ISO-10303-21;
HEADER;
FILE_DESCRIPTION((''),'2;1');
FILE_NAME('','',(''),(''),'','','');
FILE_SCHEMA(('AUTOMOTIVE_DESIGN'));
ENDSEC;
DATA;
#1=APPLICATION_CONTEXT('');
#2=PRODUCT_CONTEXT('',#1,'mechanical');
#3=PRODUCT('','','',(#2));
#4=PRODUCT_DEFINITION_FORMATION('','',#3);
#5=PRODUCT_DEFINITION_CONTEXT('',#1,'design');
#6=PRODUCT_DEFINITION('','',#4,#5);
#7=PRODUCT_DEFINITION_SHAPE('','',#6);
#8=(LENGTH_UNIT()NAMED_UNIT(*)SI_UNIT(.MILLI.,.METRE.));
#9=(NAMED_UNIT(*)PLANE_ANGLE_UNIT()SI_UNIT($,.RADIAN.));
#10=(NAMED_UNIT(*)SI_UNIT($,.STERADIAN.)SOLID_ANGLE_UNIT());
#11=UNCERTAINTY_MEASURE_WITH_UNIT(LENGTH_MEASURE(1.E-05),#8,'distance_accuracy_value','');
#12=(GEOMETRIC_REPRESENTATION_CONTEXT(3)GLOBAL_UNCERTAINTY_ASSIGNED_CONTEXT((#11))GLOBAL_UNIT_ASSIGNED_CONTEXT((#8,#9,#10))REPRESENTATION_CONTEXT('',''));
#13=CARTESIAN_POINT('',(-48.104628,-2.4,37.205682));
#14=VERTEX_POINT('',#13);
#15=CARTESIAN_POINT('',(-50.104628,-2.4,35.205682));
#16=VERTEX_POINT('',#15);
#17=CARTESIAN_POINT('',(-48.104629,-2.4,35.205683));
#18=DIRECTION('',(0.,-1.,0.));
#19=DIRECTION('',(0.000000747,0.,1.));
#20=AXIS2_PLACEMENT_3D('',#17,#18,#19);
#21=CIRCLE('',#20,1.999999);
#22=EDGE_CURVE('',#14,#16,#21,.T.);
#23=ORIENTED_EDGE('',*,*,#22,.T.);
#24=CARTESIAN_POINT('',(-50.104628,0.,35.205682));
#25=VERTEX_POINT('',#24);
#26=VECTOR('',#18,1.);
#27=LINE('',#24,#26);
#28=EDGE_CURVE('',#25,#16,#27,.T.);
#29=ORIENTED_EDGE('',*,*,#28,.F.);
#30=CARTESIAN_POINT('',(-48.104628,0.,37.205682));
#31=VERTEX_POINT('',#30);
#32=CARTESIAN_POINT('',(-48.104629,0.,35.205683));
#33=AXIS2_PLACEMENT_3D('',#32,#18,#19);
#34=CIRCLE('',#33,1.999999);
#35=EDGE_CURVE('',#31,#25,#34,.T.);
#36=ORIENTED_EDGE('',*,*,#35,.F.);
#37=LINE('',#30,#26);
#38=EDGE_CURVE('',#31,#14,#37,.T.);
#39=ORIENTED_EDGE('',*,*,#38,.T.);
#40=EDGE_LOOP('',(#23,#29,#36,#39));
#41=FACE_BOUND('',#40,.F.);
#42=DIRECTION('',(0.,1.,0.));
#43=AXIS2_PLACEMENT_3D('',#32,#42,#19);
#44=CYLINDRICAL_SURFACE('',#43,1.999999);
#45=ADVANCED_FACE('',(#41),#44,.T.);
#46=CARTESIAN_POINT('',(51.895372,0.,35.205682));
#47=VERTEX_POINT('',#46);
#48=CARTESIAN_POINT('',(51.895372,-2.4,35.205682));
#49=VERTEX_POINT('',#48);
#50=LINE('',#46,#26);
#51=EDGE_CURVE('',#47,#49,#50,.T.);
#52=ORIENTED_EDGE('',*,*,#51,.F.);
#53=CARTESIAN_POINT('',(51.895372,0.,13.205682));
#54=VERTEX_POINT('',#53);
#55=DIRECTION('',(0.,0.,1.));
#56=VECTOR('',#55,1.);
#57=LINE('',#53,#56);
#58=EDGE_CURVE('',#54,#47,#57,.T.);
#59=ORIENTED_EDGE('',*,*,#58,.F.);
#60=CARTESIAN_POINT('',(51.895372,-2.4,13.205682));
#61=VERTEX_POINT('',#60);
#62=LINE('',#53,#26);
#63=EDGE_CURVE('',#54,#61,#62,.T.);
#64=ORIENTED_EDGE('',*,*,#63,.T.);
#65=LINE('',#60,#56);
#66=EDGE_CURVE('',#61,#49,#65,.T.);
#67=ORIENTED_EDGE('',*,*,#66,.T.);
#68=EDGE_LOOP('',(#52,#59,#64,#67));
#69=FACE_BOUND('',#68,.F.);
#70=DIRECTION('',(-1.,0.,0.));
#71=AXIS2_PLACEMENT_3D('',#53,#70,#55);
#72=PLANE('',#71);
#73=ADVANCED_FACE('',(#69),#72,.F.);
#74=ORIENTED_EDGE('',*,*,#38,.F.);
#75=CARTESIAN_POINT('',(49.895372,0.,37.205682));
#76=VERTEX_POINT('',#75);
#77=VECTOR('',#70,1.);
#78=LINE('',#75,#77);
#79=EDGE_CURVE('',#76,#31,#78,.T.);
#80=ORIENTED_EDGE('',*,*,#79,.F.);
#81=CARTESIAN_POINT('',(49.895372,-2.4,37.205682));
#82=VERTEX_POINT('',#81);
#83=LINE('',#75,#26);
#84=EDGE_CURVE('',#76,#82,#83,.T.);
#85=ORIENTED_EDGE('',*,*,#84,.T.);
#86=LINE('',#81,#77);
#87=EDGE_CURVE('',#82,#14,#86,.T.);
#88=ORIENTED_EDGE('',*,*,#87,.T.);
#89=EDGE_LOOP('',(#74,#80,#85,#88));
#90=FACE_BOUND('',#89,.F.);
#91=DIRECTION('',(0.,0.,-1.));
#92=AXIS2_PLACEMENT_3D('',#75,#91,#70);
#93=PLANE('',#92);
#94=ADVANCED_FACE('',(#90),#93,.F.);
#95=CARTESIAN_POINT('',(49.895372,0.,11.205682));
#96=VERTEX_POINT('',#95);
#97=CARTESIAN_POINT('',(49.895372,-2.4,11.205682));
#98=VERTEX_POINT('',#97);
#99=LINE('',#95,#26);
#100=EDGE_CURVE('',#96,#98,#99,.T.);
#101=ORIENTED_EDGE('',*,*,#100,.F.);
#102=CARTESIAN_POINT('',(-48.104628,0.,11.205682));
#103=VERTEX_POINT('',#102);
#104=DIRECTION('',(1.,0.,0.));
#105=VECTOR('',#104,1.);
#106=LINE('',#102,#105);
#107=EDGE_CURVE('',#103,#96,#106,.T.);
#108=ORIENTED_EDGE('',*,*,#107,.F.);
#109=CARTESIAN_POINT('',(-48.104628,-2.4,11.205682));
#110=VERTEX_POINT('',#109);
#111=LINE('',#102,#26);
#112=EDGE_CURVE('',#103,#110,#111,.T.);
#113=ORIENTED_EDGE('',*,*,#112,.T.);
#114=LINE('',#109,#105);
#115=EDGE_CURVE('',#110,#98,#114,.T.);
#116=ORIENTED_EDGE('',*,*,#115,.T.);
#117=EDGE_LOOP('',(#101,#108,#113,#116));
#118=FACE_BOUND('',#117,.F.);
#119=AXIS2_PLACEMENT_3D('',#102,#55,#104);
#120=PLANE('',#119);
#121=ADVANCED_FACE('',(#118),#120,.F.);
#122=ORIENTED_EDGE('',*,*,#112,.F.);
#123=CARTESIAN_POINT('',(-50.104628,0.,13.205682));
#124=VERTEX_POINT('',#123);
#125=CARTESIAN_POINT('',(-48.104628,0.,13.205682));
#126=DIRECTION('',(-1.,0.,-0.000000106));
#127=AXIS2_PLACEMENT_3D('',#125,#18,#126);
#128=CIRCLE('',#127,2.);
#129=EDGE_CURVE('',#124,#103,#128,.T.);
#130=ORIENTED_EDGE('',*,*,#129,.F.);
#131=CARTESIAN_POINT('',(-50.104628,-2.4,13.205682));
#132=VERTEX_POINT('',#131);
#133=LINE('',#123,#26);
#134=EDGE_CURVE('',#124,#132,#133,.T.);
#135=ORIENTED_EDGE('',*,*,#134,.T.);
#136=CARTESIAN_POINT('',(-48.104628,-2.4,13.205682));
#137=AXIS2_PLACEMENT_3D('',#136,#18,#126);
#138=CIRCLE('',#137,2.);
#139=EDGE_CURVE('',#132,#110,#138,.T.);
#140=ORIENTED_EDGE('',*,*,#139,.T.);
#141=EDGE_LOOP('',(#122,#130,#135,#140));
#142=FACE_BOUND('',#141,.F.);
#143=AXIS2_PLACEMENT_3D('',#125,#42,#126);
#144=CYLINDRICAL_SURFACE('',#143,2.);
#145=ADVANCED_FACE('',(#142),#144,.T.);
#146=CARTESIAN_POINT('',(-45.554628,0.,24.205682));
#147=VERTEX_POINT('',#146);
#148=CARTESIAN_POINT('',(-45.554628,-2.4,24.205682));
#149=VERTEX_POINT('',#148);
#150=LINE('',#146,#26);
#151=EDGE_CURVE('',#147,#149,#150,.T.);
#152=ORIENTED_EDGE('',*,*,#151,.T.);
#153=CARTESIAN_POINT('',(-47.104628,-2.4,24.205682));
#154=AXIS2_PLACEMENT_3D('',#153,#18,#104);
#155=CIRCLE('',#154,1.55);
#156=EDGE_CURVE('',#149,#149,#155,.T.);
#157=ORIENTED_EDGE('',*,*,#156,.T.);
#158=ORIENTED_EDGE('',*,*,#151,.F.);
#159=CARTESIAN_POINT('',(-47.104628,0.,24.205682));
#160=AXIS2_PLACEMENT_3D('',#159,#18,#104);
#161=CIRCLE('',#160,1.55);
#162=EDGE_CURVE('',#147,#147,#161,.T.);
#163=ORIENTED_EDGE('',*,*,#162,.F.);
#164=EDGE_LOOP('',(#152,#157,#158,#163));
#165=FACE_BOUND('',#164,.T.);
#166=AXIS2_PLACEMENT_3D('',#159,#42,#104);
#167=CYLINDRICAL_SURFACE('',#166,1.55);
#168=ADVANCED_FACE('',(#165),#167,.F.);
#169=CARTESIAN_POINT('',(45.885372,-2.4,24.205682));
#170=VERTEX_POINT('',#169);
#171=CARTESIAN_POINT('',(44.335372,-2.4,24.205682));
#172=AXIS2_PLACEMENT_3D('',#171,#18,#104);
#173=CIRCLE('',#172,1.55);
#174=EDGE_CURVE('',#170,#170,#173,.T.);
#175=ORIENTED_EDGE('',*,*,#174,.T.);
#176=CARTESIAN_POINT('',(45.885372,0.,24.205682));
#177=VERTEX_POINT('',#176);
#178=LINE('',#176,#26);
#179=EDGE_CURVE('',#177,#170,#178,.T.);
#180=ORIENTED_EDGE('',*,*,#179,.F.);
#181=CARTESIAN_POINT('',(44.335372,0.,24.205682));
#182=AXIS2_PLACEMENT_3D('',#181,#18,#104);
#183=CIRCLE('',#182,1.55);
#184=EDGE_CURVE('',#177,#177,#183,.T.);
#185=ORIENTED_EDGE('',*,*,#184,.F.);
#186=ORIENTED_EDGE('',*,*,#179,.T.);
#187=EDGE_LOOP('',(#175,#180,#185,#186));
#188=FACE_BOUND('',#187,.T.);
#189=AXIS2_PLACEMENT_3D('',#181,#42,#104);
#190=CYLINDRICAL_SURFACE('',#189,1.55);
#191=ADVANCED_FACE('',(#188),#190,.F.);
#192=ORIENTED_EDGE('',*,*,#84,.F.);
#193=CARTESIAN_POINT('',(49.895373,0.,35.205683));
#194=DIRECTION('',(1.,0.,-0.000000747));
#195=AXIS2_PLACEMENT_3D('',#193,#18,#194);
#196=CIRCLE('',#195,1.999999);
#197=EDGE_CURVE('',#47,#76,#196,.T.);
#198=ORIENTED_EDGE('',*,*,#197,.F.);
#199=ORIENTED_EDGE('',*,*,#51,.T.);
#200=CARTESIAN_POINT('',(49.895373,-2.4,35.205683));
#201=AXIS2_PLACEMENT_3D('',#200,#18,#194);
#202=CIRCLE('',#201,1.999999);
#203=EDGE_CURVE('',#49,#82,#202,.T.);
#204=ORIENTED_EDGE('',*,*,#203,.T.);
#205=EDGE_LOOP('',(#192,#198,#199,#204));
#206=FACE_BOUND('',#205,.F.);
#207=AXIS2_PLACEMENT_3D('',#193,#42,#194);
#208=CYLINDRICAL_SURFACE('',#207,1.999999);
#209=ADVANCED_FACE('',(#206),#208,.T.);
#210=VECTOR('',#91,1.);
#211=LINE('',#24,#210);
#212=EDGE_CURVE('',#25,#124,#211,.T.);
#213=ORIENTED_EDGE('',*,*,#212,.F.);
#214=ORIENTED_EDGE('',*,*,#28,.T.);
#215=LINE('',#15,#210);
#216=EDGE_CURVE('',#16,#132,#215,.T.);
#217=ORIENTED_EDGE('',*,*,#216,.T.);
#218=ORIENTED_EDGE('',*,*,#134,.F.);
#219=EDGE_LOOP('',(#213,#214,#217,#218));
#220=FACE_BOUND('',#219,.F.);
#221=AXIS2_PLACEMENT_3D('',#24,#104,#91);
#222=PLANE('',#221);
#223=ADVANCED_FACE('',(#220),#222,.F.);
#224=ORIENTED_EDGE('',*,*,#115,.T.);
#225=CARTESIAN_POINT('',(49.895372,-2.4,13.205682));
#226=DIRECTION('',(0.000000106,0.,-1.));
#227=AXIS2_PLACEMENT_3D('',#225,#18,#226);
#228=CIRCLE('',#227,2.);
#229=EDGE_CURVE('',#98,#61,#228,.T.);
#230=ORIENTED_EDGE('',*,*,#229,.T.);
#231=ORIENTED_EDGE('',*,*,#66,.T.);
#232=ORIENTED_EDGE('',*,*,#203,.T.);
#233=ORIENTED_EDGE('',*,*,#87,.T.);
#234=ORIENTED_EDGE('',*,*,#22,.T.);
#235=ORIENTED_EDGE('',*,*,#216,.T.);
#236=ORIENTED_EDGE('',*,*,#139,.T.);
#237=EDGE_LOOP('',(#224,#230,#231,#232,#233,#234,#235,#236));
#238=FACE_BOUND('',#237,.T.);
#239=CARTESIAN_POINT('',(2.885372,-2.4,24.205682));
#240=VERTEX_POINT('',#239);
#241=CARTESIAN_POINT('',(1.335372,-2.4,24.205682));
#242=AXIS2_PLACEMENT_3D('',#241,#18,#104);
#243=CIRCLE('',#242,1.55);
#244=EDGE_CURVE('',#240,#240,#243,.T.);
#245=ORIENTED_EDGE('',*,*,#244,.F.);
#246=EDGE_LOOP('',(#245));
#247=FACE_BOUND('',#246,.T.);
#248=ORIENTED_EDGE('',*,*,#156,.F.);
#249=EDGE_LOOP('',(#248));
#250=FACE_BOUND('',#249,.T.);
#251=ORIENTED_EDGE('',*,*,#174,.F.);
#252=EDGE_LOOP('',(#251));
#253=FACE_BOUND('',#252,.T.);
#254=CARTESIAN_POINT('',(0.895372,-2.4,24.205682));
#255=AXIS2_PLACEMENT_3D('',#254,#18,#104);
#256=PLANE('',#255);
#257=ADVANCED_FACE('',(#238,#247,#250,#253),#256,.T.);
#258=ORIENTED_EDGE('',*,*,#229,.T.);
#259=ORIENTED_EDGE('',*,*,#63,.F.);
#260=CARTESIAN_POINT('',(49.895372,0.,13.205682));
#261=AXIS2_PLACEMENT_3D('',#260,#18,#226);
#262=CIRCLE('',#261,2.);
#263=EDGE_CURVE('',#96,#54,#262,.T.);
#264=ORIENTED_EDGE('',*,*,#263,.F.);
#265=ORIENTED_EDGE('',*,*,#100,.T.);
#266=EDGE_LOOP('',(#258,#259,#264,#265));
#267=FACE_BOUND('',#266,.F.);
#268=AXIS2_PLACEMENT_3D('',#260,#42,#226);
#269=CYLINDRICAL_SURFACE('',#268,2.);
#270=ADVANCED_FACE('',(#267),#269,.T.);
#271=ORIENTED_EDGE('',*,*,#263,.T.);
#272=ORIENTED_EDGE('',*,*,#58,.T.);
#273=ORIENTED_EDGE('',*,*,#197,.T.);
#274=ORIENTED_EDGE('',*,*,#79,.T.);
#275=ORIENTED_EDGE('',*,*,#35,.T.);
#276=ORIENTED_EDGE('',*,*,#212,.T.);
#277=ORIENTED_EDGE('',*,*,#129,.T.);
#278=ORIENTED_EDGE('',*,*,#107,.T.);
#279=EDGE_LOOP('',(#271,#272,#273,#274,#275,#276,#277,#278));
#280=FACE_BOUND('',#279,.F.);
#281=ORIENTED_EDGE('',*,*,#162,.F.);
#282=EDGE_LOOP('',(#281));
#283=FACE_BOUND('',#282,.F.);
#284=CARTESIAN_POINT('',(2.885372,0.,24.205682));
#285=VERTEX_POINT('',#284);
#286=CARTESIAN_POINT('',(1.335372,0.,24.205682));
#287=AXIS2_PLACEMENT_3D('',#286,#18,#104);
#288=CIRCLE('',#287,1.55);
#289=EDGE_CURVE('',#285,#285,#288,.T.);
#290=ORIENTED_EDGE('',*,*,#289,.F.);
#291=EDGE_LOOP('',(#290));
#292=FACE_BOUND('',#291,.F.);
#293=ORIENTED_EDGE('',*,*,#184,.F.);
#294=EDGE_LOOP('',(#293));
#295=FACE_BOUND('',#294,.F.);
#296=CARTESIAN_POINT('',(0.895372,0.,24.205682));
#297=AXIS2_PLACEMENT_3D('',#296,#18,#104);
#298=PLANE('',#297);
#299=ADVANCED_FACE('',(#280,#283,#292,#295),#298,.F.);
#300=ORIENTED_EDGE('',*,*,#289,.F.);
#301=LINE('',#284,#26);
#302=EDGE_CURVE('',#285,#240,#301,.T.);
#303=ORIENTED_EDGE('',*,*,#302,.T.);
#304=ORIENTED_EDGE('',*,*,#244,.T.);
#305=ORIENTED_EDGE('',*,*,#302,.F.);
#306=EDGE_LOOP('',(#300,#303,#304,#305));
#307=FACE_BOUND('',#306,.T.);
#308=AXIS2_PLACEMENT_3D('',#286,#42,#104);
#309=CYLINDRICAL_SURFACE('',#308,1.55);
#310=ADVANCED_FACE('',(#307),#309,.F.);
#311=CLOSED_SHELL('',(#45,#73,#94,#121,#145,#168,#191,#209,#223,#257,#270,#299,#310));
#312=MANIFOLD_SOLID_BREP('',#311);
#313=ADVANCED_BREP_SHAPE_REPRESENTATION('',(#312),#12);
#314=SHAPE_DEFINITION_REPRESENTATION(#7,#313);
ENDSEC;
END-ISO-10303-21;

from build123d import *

# Parameters (mm, degrees)
F0_R     = 1.55
F1_DEPTH = 2.4


with BuildPart() as f1:
    # F0 (on Front) → F1 (new body)
    with BuildSketch(Plane.XZ):
        with BuildLine():
            Line((49.895372, 37.205682), (-48.104628, 37.205682))
            ThreePointArc((-48.104628, 37.205682), (-49.518842, 36.619896), (-50.104628, 35.205682))
            Line((-50.104628, 35.205682), (-50.104628, 13.205682))
            ThreePointArc((-50.104628, 13.205682), (-49.518842, 11.791469), (-48.104628, 11.205682))
            Line((-48.104628, 11.205682), (49.895372, 11.205682))
            ThreePointArc((49.895372, 11.205682), (51.309586, 11.791469), (51.895372, 13.205682))
            Line((51.895372, 13.205682), (51.895372, 35.205682))
            ThreePointArc((51.895372, 35.205682), (51.309586, 36.619896), (49.895372, 37.205682))
        make_face()
        with Locations((-47.104628, 24.205682)):
            Circle(F0_R, mode=Mode.SUBTRACT)
        with Locations((1.335372, 24.205682)):
            Circle(F0_R, mode=Mode.SUBTRACT)
        with Locations((44.335372, 24.205682)):
            Circle(F0_R, mode=Mode.SUBTRACT)
    extrude(amount=F1_DEPTH)


solid = f1.part
